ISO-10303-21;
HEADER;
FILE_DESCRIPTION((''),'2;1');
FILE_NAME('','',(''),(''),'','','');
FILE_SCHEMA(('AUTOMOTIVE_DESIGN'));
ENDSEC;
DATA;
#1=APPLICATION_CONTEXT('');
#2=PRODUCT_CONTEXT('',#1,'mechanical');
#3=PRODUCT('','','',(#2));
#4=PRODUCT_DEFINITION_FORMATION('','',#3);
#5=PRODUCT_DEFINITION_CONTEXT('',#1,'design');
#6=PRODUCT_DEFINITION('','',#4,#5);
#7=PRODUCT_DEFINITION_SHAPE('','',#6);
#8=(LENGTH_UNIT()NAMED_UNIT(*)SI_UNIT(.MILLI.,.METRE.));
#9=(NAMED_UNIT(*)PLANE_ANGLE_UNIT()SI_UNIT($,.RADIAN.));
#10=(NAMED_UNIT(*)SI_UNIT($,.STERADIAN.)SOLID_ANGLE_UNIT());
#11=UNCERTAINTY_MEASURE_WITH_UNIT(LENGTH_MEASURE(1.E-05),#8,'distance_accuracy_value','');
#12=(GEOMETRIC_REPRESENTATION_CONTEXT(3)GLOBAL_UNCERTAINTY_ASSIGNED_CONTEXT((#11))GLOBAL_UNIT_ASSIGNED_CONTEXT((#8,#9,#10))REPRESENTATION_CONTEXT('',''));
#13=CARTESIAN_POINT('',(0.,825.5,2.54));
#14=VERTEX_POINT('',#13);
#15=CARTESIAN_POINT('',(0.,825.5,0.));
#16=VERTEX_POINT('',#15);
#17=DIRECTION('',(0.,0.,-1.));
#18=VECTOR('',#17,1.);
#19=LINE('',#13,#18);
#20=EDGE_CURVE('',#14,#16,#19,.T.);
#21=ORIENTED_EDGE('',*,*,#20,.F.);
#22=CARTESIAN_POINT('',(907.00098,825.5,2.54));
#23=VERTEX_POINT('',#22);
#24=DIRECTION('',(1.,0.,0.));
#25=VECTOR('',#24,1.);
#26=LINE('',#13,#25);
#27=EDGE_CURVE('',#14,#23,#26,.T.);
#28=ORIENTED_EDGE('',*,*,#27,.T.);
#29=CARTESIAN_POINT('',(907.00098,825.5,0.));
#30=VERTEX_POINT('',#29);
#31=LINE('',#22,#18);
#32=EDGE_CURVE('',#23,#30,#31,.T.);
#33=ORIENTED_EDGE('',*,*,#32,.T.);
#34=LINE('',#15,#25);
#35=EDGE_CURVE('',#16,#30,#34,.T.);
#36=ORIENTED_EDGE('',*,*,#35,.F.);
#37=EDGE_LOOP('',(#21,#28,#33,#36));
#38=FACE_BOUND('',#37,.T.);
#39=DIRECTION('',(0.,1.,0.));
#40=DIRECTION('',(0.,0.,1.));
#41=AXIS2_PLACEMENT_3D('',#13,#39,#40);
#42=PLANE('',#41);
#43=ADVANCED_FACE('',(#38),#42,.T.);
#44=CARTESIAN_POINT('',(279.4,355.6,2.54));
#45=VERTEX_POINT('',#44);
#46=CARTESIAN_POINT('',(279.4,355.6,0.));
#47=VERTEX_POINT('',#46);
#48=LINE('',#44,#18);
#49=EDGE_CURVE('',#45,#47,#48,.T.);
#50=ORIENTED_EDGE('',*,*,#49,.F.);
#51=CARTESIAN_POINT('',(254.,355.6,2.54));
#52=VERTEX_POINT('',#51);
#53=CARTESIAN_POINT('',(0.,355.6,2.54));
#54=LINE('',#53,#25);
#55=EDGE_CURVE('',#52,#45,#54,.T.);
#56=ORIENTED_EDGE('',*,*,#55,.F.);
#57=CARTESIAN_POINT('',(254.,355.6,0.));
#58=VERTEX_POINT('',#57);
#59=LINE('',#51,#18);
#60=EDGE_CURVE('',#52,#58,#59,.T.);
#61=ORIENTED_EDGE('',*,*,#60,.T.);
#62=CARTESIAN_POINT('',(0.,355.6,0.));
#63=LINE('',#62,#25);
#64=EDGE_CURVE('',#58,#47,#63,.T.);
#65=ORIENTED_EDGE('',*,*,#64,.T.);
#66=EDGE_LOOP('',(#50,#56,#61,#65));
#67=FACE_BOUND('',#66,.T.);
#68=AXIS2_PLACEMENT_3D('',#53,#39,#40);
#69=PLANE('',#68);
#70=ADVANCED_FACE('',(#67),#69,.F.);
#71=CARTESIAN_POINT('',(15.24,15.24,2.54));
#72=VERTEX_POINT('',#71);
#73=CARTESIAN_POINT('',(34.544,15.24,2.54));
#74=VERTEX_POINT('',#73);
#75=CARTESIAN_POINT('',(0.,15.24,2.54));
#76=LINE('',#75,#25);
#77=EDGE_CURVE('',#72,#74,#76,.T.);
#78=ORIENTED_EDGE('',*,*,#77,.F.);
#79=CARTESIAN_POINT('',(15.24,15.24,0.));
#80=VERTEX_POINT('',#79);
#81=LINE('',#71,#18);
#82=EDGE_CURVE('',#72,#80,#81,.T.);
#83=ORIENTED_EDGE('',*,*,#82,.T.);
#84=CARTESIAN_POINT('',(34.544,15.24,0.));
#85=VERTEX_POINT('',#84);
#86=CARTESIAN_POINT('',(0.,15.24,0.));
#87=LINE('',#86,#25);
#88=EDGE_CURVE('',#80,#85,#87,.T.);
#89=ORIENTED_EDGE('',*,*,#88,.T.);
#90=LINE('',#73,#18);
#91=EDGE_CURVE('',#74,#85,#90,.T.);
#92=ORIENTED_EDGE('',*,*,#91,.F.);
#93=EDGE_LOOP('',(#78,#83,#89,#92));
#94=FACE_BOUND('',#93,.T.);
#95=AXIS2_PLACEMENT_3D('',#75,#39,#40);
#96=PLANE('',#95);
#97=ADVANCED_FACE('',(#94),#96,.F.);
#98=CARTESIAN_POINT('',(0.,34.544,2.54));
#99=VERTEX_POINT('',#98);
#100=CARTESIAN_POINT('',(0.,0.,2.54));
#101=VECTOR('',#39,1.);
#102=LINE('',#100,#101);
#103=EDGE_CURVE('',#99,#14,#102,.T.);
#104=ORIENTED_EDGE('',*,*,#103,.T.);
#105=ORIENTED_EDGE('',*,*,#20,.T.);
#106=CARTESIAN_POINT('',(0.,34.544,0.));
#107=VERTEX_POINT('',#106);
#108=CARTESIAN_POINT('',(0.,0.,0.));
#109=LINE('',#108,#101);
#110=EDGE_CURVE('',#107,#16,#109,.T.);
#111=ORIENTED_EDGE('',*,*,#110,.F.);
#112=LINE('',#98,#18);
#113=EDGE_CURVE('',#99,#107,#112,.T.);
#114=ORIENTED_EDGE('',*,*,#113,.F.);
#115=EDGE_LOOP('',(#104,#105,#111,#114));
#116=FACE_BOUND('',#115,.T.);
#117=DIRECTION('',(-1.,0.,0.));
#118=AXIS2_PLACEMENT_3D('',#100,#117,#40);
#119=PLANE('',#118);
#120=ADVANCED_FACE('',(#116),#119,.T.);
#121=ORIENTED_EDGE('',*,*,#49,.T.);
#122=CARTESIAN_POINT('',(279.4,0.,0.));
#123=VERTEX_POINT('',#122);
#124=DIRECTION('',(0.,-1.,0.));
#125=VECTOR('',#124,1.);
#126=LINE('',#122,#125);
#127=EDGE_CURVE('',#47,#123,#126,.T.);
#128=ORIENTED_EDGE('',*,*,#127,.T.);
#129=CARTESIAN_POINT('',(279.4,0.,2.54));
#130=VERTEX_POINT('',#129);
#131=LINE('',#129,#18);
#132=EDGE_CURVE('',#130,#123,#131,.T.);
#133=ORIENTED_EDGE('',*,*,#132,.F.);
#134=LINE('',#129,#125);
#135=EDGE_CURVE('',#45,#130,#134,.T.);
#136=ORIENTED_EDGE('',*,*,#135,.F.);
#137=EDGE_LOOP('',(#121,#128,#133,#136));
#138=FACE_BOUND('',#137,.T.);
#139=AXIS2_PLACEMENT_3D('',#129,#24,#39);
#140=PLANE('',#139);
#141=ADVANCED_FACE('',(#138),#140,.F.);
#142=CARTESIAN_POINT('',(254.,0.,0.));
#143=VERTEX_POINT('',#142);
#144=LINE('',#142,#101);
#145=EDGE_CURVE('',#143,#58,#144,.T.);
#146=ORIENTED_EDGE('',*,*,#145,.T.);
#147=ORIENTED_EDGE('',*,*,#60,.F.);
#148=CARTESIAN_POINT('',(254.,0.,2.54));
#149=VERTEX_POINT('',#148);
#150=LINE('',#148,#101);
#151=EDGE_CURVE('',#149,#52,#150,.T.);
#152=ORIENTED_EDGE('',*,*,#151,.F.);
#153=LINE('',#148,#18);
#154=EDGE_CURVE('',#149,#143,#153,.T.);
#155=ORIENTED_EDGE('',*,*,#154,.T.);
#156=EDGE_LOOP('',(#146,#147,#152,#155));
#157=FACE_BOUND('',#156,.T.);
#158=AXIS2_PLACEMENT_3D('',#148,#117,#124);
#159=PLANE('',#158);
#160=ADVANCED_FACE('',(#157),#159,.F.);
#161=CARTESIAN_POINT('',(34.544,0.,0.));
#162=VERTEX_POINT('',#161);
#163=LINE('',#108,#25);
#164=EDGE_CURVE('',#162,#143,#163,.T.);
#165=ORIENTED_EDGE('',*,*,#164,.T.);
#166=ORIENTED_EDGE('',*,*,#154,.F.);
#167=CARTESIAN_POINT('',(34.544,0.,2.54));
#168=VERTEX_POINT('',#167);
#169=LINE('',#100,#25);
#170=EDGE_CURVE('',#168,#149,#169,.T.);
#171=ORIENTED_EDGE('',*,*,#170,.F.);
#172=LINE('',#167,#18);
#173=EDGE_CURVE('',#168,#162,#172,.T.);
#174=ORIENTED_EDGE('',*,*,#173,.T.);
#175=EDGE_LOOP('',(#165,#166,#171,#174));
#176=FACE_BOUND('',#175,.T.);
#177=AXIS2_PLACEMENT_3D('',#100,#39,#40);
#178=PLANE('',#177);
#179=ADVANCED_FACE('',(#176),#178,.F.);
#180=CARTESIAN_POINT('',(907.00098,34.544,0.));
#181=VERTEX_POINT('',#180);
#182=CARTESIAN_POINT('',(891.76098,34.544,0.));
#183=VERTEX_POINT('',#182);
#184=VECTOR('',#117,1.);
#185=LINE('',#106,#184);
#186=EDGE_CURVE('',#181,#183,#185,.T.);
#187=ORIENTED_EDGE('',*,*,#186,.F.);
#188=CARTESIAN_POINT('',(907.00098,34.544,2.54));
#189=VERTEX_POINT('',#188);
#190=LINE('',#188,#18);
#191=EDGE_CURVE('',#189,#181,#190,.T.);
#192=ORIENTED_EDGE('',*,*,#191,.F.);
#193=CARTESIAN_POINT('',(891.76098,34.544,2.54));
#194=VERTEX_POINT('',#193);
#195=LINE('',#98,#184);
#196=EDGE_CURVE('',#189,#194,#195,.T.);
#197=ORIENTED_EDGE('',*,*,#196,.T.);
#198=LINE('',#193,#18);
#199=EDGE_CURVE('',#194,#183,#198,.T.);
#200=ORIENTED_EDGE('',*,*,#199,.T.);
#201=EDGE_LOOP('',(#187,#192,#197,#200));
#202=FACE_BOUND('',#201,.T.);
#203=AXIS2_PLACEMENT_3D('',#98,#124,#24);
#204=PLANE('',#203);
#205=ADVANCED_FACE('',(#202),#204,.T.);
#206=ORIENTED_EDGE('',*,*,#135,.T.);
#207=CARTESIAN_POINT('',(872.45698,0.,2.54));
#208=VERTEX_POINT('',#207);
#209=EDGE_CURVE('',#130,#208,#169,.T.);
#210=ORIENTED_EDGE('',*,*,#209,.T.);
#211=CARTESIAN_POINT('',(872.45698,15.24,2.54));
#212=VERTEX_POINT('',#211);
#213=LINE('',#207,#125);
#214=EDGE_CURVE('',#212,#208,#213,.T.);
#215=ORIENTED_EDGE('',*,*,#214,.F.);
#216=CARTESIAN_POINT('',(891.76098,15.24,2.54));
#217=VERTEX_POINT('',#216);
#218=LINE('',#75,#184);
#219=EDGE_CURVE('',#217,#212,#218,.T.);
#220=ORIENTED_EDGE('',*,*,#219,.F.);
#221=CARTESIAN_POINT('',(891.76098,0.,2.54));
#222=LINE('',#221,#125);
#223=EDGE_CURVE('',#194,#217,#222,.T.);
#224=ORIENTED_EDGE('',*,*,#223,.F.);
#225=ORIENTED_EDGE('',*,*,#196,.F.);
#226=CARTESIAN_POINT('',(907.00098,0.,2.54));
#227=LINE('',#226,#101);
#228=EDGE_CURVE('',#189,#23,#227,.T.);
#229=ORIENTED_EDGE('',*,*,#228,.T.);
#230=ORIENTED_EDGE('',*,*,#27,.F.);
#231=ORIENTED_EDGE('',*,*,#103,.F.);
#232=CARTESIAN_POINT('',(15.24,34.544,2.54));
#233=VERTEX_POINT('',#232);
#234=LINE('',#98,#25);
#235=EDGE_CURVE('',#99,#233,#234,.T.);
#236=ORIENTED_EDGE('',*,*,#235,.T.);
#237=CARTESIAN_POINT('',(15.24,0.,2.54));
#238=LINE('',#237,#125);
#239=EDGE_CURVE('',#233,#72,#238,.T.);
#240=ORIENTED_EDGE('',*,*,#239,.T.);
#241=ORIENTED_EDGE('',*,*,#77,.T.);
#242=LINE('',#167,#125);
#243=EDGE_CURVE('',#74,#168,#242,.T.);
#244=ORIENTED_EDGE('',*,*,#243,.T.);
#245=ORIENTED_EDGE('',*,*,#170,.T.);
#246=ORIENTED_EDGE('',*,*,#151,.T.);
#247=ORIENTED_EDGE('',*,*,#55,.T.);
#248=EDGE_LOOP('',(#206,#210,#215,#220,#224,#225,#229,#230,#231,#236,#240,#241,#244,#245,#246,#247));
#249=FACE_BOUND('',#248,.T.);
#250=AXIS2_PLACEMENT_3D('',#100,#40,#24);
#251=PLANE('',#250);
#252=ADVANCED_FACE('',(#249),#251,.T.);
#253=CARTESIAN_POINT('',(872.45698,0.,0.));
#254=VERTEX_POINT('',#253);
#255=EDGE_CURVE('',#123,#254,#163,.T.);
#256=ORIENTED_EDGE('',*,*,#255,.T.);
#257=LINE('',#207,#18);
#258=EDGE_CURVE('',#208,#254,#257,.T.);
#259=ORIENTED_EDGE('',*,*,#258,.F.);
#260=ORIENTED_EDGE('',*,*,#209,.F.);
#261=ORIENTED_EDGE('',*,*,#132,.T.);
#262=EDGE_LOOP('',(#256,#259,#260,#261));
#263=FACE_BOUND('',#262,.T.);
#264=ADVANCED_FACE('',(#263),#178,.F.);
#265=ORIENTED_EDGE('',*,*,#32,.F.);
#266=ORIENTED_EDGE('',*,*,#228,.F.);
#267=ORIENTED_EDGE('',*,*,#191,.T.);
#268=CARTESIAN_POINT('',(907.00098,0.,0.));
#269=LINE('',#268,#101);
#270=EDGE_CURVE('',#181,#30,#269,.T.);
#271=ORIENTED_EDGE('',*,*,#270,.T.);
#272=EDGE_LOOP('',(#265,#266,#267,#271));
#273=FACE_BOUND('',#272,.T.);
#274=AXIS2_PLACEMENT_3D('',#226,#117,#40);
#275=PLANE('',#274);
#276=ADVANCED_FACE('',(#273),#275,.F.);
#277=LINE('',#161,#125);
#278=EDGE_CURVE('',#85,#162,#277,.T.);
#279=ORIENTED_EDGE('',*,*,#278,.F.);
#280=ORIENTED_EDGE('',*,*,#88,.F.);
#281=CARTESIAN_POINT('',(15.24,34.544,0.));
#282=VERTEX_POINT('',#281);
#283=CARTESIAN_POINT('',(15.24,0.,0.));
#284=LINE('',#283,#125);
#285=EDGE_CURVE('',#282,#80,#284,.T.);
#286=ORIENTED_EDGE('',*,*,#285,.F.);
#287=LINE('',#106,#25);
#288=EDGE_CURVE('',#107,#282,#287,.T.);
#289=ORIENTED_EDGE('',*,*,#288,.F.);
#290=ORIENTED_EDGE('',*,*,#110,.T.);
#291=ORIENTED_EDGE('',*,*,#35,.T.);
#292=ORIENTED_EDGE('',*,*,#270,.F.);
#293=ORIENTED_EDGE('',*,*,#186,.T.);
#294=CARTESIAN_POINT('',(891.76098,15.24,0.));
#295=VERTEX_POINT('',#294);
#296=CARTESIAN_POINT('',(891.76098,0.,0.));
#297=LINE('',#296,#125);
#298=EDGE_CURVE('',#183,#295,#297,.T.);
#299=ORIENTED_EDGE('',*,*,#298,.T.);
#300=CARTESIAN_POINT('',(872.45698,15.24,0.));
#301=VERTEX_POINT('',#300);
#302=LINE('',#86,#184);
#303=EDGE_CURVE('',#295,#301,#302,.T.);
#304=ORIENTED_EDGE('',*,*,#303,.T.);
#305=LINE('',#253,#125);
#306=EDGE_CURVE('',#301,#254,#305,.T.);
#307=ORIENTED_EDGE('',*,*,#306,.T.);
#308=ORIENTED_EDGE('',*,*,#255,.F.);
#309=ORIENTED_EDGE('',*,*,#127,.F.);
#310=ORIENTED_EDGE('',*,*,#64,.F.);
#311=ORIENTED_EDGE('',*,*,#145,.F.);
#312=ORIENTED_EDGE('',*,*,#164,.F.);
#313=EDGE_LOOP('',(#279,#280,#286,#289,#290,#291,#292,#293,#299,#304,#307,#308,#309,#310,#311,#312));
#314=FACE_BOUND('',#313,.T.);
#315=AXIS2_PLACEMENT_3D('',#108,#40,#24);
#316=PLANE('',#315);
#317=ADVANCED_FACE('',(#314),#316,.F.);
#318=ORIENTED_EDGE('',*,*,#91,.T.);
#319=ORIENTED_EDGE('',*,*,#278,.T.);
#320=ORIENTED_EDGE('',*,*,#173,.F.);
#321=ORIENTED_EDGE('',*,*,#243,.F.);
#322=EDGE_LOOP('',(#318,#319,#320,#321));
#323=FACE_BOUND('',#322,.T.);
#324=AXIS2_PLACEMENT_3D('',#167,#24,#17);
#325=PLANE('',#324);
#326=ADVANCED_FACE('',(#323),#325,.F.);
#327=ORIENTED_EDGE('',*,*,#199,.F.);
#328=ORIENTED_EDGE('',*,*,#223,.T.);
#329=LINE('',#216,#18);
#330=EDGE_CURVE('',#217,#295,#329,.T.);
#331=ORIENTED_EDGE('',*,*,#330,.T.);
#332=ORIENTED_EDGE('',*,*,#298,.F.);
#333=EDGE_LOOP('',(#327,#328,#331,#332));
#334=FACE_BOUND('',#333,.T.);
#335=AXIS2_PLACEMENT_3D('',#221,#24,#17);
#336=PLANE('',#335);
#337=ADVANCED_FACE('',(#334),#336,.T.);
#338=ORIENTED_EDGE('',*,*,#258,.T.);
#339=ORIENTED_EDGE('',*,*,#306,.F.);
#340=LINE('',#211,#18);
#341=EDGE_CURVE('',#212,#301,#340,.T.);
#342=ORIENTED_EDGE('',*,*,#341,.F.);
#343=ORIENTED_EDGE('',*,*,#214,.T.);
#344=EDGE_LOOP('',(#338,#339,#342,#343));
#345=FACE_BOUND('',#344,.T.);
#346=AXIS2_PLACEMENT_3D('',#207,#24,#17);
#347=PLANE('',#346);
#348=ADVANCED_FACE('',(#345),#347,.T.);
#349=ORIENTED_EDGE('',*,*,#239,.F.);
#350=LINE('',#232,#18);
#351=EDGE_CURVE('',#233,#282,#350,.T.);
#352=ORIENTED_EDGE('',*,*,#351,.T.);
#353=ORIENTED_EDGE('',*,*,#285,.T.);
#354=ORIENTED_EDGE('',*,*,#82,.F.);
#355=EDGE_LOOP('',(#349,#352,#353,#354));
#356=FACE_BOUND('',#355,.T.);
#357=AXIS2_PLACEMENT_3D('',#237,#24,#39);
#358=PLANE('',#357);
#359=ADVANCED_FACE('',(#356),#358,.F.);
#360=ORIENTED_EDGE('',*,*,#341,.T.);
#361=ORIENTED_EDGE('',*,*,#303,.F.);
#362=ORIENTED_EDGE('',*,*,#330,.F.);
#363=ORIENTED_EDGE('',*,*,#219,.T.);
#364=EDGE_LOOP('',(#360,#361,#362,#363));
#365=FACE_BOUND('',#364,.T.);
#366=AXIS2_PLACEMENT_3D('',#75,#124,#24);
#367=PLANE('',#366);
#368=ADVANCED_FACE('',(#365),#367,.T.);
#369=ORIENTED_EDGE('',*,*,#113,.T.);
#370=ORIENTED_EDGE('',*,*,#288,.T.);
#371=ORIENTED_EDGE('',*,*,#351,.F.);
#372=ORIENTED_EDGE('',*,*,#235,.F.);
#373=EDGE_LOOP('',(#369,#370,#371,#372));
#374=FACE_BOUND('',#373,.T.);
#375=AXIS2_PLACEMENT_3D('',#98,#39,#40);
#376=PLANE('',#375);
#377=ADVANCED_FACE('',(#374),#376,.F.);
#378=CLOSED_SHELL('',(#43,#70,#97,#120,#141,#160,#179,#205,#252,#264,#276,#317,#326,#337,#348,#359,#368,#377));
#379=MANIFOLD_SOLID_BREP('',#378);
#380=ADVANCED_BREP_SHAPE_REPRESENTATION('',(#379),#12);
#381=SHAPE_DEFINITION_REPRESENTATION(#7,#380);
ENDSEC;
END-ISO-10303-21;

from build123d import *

# Parameters (mm, degrees)
BOSS_EXTRUDE1_DEPTH = 2.54


with BuildPart() as part:
    # Sketch1 → Boss-Extrude1 (new body)
    with BuildSketch(Plane.XY):
        Polygon((0, 825.5), (0, 34.544), (15.24, 34.544), (15.24, 15.24), (34.544, 15.24), (34.544, 0), (254, 0), (254, 355.6), (279.4, 355.6), (279.4, 0), (872.45698, 0), (872.45698, 15.24), (891.76098, 15.24), (891.76098, 34.544), (907.00098, 34.544), (907.00098, 825.5), align=None)
    extrude(amount=BOSS_EXTRUDE1_DEPTH)


solid = part.part
